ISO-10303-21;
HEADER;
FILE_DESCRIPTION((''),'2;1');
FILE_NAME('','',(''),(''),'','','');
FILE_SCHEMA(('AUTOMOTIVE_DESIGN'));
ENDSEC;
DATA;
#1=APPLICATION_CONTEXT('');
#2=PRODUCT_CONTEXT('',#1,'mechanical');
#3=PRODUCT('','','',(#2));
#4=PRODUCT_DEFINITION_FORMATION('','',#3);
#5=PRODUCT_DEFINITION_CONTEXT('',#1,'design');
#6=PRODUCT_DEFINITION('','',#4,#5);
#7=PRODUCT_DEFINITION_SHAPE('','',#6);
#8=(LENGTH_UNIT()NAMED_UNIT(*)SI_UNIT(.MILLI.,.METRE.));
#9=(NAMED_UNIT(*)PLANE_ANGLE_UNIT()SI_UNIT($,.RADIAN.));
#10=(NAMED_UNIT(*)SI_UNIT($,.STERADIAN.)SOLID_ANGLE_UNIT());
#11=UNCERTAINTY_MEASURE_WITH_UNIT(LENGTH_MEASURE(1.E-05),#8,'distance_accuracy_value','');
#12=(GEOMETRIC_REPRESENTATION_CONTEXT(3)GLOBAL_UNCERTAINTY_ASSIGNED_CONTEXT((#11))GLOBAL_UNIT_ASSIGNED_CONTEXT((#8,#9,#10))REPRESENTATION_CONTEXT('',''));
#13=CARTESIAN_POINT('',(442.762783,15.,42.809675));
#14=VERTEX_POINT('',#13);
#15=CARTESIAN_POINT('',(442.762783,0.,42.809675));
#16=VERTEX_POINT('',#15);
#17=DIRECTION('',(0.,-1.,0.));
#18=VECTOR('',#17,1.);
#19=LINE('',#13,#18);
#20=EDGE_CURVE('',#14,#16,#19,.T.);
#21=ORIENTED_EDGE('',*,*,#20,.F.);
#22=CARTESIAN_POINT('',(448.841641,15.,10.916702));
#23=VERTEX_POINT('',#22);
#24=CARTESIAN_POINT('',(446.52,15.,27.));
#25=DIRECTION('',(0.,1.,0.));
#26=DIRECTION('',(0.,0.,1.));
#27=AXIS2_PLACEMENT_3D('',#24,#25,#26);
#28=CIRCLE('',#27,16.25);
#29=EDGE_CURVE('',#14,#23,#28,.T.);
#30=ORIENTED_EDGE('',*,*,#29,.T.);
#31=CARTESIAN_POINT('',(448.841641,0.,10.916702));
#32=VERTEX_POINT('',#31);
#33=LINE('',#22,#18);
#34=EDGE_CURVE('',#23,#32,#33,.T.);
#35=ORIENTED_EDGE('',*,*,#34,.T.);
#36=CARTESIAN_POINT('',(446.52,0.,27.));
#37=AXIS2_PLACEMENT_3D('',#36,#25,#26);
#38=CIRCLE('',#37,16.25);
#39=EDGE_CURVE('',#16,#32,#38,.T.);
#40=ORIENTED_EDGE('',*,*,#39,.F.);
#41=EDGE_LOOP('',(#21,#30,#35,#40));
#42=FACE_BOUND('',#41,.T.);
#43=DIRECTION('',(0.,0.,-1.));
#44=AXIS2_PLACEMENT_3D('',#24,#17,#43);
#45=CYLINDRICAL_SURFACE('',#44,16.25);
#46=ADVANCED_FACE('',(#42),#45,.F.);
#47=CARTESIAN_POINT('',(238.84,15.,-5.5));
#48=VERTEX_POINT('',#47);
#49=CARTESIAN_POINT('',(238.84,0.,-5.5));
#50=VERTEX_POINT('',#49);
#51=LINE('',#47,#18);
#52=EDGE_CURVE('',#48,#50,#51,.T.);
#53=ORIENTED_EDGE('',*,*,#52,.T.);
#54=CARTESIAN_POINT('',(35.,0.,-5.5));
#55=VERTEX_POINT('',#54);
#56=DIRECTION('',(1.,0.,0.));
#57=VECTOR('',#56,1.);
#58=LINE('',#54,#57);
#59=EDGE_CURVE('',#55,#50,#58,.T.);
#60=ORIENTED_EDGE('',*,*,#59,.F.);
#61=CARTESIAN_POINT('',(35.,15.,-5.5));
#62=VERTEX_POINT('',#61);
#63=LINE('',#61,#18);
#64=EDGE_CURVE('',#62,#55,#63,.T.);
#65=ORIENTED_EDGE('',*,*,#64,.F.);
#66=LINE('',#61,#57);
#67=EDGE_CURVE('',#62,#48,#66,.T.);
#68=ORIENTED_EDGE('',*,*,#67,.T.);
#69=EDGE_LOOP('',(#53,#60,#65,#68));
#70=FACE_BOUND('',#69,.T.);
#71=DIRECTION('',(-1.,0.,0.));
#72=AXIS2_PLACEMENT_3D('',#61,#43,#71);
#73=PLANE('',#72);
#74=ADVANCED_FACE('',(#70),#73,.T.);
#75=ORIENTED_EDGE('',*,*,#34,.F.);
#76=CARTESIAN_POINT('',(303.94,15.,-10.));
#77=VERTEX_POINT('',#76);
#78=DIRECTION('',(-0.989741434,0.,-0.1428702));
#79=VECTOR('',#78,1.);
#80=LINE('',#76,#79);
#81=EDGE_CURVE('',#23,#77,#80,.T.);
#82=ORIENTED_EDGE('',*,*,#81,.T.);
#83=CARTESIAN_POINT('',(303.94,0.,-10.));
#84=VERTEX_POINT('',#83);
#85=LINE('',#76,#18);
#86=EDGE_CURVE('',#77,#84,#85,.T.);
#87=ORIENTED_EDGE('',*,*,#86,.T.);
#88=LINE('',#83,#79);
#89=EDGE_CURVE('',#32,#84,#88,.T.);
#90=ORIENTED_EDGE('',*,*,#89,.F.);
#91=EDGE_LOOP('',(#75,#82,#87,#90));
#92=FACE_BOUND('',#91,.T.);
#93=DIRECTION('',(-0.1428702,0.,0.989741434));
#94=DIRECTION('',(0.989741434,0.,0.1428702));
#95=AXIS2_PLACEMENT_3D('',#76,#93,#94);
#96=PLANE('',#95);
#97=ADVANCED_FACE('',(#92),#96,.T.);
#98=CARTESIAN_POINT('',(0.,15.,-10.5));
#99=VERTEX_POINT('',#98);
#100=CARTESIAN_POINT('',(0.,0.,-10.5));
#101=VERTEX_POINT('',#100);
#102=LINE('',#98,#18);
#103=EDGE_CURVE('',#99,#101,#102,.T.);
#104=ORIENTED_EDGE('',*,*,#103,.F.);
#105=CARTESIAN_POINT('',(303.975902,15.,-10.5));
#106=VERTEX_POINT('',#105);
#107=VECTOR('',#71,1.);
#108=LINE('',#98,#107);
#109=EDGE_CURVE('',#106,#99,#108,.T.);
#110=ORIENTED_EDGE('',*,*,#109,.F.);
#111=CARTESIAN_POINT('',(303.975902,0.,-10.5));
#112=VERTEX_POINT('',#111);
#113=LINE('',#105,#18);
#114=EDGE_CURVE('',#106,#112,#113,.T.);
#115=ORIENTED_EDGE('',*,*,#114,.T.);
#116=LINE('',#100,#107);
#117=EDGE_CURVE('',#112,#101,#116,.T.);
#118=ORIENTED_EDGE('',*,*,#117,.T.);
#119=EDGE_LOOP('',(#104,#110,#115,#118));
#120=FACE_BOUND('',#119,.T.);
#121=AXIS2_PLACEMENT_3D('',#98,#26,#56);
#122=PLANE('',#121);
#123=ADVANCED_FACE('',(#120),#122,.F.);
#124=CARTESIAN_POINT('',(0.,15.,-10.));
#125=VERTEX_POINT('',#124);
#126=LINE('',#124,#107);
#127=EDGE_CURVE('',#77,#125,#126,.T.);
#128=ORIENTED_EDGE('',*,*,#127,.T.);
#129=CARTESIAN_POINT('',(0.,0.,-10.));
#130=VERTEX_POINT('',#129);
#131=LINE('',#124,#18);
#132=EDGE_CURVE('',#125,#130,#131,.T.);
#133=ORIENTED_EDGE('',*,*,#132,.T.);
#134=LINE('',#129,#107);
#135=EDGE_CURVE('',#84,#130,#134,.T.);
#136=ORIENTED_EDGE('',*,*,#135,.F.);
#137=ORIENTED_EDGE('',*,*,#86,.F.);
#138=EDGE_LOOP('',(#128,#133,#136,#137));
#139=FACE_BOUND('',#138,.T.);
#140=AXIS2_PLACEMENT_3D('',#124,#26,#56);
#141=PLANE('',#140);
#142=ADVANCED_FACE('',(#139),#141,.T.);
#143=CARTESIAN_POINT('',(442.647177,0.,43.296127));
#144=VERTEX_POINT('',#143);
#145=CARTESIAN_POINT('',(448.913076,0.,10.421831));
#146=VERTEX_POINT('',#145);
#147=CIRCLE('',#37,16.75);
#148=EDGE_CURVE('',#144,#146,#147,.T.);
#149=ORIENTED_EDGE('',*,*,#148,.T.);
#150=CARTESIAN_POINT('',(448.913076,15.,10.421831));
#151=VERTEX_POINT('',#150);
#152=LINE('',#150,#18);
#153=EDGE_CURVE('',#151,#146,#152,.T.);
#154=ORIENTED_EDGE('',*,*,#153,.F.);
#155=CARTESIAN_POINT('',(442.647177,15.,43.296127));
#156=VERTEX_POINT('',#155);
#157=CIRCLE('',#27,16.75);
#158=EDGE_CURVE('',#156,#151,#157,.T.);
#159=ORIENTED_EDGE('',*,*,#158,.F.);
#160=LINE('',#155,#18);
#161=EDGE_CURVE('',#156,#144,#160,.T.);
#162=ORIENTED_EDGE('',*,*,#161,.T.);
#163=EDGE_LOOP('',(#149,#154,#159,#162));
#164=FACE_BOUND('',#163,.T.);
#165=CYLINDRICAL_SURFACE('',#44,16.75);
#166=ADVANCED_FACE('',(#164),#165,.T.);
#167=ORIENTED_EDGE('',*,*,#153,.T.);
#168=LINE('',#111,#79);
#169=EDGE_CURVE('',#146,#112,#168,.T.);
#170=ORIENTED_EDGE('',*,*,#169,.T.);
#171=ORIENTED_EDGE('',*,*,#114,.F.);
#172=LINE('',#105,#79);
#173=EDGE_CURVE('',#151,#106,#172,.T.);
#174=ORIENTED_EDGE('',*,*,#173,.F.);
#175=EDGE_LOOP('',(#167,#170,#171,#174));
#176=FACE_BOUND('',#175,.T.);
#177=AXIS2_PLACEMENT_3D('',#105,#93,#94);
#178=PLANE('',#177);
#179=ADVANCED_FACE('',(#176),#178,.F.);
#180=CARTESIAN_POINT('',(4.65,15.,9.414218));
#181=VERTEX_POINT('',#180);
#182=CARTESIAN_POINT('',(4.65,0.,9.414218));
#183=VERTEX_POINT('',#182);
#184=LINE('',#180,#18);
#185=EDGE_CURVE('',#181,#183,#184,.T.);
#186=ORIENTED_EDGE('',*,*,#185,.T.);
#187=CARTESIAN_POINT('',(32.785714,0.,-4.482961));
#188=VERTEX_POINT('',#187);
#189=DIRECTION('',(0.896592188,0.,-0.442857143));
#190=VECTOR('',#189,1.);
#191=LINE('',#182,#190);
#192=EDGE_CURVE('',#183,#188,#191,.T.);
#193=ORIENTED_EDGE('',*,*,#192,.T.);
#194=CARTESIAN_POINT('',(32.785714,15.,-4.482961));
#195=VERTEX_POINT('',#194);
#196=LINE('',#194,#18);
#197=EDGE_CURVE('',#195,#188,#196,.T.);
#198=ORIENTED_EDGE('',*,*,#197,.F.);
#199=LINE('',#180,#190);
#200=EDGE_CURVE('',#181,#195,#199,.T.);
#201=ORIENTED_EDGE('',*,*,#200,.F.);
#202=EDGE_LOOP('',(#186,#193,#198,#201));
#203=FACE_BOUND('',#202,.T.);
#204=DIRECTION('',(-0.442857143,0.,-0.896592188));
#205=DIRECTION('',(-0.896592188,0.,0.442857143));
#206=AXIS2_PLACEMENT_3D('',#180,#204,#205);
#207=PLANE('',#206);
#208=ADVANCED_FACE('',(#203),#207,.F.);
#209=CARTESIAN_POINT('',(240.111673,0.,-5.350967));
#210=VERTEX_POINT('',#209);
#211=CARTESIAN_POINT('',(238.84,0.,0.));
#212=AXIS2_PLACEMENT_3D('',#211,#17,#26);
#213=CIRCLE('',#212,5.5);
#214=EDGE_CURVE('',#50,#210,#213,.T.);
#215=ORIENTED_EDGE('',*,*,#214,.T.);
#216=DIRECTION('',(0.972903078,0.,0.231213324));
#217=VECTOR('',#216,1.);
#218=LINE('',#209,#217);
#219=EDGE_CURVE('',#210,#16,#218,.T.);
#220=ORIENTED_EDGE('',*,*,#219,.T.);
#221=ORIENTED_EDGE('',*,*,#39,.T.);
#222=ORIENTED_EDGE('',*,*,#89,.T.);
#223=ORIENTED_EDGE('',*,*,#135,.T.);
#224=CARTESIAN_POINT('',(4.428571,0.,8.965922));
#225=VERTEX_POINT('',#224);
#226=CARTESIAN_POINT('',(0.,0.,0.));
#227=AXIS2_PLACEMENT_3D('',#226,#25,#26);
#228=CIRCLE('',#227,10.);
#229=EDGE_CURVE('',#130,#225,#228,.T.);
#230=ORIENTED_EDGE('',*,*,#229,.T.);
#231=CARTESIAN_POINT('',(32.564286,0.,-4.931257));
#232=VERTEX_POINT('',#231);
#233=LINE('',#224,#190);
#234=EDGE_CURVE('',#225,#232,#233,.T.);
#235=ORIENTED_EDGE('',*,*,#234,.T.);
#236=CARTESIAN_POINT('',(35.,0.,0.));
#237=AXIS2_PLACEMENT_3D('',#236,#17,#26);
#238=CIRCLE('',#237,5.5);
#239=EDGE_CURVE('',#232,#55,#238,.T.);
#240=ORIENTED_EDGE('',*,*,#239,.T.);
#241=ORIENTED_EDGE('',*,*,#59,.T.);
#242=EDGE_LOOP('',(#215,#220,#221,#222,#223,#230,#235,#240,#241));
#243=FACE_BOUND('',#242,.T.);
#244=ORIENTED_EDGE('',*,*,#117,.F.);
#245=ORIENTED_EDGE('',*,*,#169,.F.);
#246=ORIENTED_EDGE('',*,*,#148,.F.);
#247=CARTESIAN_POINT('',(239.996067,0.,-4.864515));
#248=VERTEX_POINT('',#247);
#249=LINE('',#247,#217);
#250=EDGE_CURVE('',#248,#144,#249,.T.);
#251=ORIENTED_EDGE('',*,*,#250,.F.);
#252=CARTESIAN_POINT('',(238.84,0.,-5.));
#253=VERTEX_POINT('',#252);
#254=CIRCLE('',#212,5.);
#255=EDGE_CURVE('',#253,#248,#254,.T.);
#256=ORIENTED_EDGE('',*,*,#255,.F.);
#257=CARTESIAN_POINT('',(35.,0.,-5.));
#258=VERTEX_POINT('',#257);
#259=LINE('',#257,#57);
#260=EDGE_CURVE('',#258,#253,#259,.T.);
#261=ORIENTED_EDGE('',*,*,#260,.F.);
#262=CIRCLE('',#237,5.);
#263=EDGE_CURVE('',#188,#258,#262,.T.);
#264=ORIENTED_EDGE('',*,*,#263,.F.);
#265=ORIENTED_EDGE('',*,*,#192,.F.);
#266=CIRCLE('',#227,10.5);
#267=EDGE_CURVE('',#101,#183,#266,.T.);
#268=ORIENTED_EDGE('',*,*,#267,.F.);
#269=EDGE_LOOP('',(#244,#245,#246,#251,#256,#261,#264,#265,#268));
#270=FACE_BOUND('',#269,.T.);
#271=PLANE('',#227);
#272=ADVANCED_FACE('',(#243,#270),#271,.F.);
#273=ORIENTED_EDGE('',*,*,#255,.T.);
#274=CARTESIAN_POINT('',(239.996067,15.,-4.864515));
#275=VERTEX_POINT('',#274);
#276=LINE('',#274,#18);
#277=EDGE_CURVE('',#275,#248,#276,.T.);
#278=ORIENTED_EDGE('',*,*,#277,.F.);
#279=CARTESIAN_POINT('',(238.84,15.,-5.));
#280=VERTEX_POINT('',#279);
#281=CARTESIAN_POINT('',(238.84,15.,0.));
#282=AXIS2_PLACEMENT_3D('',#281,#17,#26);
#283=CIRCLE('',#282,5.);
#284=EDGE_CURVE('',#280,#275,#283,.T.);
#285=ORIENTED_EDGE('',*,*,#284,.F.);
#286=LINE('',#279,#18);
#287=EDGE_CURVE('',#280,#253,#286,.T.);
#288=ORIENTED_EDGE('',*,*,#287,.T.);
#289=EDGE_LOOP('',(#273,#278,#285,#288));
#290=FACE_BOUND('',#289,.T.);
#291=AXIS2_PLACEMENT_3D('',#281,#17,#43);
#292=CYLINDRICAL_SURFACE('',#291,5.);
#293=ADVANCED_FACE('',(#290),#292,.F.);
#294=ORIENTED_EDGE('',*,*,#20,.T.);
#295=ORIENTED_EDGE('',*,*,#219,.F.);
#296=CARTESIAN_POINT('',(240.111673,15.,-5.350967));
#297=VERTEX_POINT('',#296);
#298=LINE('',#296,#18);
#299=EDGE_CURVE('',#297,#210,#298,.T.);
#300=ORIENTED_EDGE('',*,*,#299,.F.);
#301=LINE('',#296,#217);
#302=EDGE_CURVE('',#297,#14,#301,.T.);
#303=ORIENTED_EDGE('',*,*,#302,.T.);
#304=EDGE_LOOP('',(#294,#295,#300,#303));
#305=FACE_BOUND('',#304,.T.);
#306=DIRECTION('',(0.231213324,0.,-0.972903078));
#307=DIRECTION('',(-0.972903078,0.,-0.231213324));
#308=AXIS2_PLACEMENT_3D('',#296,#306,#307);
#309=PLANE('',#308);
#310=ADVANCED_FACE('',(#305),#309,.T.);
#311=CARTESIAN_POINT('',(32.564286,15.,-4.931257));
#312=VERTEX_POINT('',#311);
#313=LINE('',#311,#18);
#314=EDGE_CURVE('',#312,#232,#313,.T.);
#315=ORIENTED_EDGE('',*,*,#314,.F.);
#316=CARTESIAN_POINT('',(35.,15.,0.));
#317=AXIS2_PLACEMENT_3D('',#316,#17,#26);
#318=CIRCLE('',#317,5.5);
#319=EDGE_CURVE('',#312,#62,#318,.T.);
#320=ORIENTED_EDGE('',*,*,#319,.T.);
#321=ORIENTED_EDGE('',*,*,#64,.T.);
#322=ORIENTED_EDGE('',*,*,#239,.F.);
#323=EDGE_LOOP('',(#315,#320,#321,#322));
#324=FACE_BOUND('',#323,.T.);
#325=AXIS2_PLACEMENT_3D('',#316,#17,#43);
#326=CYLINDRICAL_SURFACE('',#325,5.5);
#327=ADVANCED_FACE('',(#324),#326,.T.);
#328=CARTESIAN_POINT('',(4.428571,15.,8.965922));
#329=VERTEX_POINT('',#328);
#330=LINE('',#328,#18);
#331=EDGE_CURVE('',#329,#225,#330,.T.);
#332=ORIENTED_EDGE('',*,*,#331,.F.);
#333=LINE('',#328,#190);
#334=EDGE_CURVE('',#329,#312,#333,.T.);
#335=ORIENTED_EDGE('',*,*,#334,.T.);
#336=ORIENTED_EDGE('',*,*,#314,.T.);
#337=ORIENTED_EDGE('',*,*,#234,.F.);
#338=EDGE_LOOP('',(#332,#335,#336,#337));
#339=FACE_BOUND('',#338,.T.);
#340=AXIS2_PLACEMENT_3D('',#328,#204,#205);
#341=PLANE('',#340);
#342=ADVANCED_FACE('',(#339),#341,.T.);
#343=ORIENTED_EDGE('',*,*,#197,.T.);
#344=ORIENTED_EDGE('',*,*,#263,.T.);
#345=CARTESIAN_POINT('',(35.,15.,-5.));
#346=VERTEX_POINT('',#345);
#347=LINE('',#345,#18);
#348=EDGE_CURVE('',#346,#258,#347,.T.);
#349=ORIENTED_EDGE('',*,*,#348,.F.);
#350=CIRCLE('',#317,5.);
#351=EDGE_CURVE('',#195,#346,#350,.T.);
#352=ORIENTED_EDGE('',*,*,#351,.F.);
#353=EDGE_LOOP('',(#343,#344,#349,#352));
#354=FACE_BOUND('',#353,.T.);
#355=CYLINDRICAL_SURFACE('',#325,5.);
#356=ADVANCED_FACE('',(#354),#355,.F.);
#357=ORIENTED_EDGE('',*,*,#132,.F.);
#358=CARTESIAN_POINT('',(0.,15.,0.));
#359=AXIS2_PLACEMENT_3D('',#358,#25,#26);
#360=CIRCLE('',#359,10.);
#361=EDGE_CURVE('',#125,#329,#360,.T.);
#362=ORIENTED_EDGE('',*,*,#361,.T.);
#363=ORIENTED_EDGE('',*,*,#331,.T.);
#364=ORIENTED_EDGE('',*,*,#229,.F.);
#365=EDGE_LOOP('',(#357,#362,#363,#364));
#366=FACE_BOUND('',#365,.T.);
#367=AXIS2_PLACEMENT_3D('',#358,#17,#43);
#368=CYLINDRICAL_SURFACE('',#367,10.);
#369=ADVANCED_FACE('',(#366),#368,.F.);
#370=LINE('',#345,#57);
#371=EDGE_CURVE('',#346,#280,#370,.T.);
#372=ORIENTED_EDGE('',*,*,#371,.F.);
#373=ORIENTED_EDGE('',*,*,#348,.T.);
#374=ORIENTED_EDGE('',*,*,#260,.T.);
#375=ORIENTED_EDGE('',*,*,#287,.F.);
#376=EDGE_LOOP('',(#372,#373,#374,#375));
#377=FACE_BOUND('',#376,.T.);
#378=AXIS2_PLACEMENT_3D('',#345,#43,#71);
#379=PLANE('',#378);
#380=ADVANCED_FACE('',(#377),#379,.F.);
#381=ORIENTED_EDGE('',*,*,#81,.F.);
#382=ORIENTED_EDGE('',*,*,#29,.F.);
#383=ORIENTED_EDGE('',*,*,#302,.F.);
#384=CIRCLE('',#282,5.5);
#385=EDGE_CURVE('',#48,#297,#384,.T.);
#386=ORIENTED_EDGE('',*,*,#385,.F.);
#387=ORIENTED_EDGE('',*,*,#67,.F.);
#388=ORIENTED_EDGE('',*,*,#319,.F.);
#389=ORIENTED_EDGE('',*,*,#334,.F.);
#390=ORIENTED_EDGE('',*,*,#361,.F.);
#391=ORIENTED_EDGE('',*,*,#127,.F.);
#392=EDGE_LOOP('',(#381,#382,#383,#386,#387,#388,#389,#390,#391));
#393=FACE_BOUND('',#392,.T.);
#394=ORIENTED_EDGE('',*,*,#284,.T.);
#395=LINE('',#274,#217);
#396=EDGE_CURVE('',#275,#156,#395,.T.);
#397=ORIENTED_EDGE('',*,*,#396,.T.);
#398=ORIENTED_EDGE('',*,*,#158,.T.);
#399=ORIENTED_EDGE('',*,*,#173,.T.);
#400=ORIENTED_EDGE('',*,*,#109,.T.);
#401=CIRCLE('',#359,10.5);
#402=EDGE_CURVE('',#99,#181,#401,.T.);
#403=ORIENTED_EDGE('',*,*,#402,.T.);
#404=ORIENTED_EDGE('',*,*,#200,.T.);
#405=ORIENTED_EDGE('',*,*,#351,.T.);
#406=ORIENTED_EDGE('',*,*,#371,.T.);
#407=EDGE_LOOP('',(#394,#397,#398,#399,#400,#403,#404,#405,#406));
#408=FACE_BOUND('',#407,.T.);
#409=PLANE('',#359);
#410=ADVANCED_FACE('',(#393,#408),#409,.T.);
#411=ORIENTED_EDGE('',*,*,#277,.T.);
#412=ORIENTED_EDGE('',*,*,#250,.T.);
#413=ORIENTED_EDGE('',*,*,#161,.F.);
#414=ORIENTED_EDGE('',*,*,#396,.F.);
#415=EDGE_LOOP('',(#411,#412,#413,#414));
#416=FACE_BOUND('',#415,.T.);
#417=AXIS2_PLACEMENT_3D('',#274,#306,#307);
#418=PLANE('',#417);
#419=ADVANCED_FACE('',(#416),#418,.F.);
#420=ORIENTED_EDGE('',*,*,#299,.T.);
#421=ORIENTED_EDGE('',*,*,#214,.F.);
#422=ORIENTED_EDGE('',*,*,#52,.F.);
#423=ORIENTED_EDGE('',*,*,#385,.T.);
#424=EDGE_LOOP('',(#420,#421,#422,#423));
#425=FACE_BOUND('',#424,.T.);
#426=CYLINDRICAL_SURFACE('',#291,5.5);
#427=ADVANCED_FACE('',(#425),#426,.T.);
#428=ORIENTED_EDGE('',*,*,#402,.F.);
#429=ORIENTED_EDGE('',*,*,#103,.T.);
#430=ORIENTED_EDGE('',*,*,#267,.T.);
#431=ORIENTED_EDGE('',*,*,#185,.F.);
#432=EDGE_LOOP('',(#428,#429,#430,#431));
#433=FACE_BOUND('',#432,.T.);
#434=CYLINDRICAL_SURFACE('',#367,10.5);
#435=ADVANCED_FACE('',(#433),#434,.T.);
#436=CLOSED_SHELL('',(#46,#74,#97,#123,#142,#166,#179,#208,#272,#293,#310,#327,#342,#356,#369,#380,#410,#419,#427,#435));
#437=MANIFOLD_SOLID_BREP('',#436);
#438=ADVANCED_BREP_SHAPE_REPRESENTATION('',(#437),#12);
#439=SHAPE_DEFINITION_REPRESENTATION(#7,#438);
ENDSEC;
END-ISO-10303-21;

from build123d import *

# Parameters (mm, degrees)
BOSS_EXTRUDE1_DEPTH = 15


with BuildPart() as part:
    # Sketch2 → Boss-Extrude1 (new body)
    with BuildSketch(Plane(origin=(0, 0, 0), x_dir=(1, 0, 0), z_dir=(0, 1, 0))):
        with BuildLine():
            Line((0, 10.5), (303.9759017, 10.5))
            Line((303.9759017, 10.5), (448.913075843, -10.421830981))
            ThreePointArc((448.913075843, -10.421830981), (462.973791064, -30.136121747), (442.647176825, -43.296126554))
            Line((442.647176825, -43.296126554), (239.996066619, 4.864515389))
            ThreePointArc((239.996066619, 4.864515389), (239.421989284, 4.966013338), (238.84, 5))
            Line((238.84, 5), (35, 5))
            ThreePointArc((35, 5), (33.863075353, 4.869024784), (32.785714286, 4.482960938))
            Line((32.785714286, 4.482960938), (4.65, -9.414217971))
            ThreePointArc((4.65, -9.414217971), (-10.224952046, -2.38754176), (0, 10.5))
        make_face()
        with BuildLine():
            Line((0, 10), (303.94, 10))
            Line((303.94, 10), (448.841640743, -10.916701698))
            ThreePointArc((448.841640743, -10.916701698), (462.482633122, -30.042506173), (442.762783487, -42.809675015))
            Line((442.762783487, -42.809675015), (240.111673281, 5.350966928))
            ThreePointArc((240.111673281, 5.350966928), (239.480188213, 5.462614672), (238.84, 5.5))
            Line((238.84, 5.5), (35, 5.5))
            ThreePointArc((35, 5.5), (33.749382888, 5.355927262), (32.564285714, 4.931257032))
            Line((32.564285714, 4.931257032), (4.428571429, -8.965921877))
            ThreePointArc((4.428571429, -8.965921877), (-9.738049568, -2.273849295), (0, 10))
        make_face(mode=Mode.SUBTRACT)
    extrude(amount=BOSS_EXTRUDE1_DEPTH)


solid = part.part
